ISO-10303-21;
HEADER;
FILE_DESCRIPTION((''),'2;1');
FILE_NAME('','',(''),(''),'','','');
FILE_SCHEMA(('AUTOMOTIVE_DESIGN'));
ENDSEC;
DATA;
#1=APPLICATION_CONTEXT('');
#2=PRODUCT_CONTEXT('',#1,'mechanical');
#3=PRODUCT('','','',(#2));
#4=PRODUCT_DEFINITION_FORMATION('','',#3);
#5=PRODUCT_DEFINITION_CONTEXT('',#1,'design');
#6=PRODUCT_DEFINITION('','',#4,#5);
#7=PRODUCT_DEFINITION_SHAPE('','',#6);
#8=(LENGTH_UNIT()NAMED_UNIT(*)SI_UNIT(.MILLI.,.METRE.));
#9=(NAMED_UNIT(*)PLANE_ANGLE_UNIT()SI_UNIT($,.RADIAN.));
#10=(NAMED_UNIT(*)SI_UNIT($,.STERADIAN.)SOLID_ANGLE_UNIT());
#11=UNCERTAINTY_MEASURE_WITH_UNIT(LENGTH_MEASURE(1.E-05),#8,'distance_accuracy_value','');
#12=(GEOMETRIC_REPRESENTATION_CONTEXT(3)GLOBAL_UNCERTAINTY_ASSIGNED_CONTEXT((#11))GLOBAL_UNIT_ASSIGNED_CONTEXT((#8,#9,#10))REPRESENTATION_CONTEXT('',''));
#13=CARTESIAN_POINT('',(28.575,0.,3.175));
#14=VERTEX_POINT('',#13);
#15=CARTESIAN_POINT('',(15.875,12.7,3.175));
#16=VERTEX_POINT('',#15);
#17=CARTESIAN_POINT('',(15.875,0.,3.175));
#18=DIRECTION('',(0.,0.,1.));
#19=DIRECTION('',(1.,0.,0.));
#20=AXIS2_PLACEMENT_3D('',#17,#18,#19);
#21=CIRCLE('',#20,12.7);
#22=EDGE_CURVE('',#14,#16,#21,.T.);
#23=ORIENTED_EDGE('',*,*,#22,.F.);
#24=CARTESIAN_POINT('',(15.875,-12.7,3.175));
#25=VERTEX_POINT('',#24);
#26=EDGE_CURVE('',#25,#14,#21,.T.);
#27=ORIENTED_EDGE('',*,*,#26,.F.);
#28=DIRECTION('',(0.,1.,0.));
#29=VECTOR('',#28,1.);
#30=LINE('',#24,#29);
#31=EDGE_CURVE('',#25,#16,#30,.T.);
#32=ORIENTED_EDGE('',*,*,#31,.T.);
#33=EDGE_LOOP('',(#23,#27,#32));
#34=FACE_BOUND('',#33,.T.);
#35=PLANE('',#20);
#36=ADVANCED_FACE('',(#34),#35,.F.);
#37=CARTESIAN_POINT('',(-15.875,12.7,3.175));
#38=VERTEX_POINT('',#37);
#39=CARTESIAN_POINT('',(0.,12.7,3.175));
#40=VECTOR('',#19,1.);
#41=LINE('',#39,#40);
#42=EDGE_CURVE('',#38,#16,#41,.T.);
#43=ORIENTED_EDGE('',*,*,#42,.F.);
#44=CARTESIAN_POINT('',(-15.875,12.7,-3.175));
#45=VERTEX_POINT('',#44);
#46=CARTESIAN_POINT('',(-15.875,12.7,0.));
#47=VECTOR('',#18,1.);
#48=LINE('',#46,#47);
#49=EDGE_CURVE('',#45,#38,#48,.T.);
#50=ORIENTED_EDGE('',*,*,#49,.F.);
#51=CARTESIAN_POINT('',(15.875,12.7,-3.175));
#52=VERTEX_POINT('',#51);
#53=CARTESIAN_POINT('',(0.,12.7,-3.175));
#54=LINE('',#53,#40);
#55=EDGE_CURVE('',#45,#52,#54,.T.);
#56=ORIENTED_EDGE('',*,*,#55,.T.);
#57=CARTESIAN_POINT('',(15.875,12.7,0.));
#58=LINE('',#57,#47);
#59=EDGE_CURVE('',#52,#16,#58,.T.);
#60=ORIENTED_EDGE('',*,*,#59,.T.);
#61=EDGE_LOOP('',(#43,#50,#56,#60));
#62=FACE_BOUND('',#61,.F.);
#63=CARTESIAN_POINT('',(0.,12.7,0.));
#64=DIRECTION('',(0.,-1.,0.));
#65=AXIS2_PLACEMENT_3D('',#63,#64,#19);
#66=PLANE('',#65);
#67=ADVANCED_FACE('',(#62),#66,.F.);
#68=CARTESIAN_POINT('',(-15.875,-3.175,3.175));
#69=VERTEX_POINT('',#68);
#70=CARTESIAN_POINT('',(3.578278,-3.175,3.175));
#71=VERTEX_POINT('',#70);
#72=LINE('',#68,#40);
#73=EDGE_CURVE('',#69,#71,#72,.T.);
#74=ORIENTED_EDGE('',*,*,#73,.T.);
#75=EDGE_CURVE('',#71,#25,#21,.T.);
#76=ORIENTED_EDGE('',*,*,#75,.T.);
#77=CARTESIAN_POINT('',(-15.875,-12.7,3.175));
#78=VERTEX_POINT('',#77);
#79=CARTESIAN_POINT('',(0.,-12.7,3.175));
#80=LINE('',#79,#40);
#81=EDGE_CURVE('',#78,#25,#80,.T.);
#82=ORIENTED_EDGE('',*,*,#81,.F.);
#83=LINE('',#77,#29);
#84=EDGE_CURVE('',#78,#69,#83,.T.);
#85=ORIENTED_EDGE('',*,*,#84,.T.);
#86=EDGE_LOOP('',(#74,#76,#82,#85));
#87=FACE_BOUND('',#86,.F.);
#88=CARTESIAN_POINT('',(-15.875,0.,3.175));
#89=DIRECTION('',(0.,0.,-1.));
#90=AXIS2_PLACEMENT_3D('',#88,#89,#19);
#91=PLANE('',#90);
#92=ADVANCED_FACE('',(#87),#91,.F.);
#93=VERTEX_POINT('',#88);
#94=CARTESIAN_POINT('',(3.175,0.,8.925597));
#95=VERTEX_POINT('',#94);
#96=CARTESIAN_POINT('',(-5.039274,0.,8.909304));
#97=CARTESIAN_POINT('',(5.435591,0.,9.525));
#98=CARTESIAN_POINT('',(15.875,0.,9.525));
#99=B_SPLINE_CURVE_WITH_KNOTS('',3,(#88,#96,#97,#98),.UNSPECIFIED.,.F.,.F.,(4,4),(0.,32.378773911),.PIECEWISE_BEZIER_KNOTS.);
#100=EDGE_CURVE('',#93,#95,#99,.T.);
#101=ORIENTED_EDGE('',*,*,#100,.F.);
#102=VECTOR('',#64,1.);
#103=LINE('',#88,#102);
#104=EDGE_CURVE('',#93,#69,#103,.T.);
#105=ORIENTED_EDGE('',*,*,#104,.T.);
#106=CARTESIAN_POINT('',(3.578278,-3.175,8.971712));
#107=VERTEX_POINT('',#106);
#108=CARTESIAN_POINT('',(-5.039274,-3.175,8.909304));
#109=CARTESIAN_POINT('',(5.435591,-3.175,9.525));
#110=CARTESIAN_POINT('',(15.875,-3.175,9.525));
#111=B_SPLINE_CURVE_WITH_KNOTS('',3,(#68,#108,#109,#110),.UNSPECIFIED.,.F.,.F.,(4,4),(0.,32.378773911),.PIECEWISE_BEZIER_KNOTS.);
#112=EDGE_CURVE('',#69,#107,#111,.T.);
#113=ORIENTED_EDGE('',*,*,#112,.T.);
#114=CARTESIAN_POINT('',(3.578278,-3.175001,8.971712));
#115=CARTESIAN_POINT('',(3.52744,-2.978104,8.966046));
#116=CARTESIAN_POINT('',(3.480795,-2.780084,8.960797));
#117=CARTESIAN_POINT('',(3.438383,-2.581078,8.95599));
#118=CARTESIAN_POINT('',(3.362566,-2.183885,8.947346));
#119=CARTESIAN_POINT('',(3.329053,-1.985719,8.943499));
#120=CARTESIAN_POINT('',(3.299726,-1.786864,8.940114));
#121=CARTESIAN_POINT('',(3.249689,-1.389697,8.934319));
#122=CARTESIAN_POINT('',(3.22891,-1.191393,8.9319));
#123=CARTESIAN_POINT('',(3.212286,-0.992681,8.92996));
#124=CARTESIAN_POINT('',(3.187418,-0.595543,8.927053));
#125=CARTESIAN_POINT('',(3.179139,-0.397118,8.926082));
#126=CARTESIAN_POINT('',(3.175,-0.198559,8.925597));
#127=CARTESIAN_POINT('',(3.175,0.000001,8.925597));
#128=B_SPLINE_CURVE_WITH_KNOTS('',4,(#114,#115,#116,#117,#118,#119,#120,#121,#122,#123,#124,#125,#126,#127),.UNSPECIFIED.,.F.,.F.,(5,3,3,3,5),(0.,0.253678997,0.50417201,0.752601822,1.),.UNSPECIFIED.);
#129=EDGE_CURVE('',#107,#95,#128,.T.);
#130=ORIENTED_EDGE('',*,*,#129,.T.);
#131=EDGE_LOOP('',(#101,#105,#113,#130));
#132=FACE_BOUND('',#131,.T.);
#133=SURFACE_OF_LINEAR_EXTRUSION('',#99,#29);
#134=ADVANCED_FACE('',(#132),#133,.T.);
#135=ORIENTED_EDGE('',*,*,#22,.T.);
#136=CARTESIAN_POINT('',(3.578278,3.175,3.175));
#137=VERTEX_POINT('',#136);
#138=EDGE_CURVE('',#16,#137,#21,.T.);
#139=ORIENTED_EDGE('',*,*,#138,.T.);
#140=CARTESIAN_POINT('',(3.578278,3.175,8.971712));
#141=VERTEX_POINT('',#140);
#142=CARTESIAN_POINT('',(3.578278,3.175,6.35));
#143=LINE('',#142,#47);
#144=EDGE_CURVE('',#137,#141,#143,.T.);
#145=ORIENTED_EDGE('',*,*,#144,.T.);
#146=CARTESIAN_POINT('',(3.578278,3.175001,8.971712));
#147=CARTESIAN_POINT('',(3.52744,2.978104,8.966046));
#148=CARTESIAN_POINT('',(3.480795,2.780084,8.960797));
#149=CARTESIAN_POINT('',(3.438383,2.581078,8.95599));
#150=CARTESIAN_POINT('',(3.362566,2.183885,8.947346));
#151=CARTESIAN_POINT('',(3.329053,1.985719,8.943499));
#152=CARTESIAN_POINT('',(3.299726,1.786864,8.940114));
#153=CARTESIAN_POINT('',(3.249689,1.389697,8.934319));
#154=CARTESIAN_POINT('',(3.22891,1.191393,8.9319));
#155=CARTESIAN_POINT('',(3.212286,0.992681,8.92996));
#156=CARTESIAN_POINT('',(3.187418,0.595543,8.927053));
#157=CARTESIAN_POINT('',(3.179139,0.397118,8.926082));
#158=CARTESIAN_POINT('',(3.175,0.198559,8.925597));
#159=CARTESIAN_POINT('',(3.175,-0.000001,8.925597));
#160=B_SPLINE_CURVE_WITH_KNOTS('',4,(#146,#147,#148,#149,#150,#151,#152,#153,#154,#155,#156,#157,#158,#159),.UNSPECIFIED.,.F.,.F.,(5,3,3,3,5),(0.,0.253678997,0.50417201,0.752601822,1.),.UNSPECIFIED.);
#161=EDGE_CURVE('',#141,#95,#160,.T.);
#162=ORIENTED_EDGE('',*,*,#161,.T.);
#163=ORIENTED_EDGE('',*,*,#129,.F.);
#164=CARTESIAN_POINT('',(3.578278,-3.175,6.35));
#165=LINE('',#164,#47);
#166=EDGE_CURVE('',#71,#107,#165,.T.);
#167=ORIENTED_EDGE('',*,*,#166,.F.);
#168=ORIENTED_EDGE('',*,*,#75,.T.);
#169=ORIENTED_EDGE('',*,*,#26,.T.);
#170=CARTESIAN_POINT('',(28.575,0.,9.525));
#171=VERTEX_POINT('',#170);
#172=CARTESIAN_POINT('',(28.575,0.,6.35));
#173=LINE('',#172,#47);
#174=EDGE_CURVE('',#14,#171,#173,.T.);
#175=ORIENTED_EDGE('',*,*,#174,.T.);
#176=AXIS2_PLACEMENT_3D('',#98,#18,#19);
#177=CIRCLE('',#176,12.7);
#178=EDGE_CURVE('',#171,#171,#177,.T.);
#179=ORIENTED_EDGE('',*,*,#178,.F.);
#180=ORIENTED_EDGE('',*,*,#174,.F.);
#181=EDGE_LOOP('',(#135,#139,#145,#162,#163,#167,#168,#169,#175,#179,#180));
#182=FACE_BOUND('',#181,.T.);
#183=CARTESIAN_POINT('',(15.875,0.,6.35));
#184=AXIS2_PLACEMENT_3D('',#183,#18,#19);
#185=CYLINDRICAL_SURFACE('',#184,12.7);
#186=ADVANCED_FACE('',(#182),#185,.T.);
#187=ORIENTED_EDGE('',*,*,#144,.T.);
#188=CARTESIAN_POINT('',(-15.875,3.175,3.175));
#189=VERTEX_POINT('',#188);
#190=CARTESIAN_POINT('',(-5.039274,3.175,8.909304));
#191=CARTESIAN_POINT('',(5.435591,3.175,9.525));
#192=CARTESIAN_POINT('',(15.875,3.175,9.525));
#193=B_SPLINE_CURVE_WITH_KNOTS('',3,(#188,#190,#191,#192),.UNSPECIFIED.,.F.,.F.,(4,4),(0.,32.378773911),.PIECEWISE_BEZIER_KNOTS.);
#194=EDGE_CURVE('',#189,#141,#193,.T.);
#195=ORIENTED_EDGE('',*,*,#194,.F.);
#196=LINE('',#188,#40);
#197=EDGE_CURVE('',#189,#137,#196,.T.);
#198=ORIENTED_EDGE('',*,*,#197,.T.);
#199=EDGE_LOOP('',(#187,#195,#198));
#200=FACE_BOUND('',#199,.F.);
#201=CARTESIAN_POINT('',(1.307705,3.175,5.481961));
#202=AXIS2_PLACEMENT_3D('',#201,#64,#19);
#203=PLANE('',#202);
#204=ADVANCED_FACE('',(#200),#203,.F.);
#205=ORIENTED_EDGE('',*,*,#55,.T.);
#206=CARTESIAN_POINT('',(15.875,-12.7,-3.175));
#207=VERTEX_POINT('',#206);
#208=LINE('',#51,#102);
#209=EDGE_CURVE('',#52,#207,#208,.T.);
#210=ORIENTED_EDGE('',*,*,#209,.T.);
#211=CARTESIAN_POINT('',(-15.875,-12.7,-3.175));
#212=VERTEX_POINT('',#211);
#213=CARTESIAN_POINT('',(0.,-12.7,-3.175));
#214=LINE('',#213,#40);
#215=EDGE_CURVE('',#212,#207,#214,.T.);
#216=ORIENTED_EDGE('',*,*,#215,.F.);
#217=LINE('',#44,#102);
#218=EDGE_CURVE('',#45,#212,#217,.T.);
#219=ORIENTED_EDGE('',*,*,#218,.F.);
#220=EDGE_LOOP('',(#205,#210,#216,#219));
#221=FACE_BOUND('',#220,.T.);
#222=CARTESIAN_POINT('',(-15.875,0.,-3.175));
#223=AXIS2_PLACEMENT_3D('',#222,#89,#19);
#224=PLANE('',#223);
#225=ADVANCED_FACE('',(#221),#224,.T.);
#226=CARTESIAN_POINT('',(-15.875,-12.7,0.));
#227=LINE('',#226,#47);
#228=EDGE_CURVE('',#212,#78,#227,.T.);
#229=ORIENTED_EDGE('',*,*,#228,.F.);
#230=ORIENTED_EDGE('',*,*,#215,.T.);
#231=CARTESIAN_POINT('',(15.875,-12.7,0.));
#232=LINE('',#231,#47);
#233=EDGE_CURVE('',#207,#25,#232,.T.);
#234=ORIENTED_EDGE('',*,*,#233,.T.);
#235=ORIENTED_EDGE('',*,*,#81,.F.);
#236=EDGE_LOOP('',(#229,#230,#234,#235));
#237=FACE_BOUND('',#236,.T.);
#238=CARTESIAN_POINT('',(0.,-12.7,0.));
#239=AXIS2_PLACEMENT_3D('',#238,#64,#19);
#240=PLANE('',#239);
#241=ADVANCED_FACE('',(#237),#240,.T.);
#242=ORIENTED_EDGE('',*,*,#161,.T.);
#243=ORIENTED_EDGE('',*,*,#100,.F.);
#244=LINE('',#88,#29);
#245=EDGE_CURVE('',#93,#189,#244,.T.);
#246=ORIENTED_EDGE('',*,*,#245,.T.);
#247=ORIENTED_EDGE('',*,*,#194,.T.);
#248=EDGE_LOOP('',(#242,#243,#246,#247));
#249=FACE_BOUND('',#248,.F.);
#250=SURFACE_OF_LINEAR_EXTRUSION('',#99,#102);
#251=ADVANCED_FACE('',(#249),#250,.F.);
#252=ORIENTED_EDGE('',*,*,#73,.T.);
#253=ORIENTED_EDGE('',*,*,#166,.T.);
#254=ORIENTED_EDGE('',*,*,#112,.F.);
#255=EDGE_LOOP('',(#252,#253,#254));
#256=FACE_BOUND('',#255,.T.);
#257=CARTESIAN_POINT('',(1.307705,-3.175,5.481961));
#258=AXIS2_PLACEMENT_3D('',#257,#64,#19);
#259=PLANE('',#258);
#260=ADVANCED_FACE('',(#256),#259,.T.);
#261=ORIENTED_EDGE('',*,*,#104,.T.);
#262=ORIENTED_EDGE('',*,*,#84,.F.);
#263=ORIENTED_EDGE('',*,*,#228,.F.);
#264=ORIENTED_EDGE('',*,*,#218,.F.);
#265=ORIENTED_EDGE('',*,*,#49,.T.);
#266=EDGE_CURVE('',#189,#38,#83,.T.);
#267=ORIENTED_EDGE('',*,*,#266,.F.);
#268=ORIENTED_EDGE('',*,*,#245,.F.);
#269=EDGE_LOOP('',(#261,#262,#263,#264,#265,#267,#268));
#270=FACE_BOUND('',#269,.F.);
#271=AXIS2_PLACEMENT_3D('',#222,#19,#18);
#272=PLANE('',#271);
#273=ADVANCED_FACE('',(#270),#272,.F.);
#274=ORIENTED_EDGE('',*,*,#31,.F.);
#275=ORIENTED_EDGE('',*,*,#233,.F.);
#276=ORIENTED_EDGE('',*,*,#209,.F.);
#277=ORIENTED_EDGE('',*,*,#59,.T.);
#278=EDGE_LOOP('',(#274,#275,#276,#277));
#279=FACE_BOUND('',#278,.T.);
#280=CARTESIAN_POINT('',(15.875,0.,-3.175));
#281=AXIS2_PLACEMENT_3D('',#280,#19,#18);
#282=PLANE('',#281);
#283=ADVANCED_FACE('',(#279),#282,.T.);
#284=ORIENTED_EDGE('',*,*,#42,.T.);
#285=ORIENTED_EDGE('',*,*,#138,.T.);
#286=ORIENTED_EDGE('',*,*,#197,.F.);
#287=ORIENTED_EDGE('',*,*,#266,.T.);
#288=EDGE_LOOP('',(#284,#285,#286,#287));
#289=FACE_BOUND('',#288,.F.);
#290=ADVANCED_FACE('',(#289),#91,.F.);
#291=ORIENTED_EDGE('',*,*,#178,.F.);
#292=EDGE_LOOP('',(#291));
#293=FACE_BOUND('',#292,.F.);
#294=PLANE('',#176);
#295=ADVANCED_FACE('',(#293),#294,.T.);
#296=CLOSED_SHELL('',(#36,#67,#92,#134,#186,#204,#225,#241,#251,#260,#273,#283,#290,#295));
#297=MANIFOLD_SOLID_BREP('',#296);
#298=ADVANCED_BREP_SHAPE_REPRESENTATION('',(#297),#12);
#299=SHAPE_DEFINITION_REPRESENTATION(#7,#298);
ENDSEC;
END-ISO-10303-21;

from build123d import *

# Parameters (mm, degrees)
F0_W     = 31.75
F0_H     = 6.35
F1_DEPTH = 12.7
F2_DEPTH = 3.175
F0_W_2   = 12.7


with BuildPart() as f1:
    # F0 (on Front) → F1 (new body, symmetric)
    with BuildSketch(Plane.XZ):
        Rectangle(F0_W, F0_H)
    extrude(amount=F1_DEPTH, both=True)

    # F0 (on Front) → F2 (join, symmetric)
    with BuildSketch(Plane.XZ):
        with BuildLine():
            Line((-15.875, 3.175), (15.875, 3.175))
            Line((15.875, 3.175), (15.875, 9.525))
            add(Edge.make_bspline(
                [(-15.875, 3.175), (-5.0392741859, 8.9093035005), (5.4355907996, 9.525), (15.875, 9.525)],
                knots=[0, 0, 0, 0, 32.3787739113, 32.3787739113, 32.3787739113, 32.3787739113], degree=3))
        make_face()
    extrude(amount=F2_DEPTH, both=True)

    # F0 (on Front) → F3 (revolve)
    with BuildSketch(Plane.XZ):
        with Locations((22.225, 6.35)):
            Rectangle(F0_W_2, F0_H)
    revolve(axis=Axis((15.875, 0, 6.35), (0, 0, 1)))


solid = f1.part
